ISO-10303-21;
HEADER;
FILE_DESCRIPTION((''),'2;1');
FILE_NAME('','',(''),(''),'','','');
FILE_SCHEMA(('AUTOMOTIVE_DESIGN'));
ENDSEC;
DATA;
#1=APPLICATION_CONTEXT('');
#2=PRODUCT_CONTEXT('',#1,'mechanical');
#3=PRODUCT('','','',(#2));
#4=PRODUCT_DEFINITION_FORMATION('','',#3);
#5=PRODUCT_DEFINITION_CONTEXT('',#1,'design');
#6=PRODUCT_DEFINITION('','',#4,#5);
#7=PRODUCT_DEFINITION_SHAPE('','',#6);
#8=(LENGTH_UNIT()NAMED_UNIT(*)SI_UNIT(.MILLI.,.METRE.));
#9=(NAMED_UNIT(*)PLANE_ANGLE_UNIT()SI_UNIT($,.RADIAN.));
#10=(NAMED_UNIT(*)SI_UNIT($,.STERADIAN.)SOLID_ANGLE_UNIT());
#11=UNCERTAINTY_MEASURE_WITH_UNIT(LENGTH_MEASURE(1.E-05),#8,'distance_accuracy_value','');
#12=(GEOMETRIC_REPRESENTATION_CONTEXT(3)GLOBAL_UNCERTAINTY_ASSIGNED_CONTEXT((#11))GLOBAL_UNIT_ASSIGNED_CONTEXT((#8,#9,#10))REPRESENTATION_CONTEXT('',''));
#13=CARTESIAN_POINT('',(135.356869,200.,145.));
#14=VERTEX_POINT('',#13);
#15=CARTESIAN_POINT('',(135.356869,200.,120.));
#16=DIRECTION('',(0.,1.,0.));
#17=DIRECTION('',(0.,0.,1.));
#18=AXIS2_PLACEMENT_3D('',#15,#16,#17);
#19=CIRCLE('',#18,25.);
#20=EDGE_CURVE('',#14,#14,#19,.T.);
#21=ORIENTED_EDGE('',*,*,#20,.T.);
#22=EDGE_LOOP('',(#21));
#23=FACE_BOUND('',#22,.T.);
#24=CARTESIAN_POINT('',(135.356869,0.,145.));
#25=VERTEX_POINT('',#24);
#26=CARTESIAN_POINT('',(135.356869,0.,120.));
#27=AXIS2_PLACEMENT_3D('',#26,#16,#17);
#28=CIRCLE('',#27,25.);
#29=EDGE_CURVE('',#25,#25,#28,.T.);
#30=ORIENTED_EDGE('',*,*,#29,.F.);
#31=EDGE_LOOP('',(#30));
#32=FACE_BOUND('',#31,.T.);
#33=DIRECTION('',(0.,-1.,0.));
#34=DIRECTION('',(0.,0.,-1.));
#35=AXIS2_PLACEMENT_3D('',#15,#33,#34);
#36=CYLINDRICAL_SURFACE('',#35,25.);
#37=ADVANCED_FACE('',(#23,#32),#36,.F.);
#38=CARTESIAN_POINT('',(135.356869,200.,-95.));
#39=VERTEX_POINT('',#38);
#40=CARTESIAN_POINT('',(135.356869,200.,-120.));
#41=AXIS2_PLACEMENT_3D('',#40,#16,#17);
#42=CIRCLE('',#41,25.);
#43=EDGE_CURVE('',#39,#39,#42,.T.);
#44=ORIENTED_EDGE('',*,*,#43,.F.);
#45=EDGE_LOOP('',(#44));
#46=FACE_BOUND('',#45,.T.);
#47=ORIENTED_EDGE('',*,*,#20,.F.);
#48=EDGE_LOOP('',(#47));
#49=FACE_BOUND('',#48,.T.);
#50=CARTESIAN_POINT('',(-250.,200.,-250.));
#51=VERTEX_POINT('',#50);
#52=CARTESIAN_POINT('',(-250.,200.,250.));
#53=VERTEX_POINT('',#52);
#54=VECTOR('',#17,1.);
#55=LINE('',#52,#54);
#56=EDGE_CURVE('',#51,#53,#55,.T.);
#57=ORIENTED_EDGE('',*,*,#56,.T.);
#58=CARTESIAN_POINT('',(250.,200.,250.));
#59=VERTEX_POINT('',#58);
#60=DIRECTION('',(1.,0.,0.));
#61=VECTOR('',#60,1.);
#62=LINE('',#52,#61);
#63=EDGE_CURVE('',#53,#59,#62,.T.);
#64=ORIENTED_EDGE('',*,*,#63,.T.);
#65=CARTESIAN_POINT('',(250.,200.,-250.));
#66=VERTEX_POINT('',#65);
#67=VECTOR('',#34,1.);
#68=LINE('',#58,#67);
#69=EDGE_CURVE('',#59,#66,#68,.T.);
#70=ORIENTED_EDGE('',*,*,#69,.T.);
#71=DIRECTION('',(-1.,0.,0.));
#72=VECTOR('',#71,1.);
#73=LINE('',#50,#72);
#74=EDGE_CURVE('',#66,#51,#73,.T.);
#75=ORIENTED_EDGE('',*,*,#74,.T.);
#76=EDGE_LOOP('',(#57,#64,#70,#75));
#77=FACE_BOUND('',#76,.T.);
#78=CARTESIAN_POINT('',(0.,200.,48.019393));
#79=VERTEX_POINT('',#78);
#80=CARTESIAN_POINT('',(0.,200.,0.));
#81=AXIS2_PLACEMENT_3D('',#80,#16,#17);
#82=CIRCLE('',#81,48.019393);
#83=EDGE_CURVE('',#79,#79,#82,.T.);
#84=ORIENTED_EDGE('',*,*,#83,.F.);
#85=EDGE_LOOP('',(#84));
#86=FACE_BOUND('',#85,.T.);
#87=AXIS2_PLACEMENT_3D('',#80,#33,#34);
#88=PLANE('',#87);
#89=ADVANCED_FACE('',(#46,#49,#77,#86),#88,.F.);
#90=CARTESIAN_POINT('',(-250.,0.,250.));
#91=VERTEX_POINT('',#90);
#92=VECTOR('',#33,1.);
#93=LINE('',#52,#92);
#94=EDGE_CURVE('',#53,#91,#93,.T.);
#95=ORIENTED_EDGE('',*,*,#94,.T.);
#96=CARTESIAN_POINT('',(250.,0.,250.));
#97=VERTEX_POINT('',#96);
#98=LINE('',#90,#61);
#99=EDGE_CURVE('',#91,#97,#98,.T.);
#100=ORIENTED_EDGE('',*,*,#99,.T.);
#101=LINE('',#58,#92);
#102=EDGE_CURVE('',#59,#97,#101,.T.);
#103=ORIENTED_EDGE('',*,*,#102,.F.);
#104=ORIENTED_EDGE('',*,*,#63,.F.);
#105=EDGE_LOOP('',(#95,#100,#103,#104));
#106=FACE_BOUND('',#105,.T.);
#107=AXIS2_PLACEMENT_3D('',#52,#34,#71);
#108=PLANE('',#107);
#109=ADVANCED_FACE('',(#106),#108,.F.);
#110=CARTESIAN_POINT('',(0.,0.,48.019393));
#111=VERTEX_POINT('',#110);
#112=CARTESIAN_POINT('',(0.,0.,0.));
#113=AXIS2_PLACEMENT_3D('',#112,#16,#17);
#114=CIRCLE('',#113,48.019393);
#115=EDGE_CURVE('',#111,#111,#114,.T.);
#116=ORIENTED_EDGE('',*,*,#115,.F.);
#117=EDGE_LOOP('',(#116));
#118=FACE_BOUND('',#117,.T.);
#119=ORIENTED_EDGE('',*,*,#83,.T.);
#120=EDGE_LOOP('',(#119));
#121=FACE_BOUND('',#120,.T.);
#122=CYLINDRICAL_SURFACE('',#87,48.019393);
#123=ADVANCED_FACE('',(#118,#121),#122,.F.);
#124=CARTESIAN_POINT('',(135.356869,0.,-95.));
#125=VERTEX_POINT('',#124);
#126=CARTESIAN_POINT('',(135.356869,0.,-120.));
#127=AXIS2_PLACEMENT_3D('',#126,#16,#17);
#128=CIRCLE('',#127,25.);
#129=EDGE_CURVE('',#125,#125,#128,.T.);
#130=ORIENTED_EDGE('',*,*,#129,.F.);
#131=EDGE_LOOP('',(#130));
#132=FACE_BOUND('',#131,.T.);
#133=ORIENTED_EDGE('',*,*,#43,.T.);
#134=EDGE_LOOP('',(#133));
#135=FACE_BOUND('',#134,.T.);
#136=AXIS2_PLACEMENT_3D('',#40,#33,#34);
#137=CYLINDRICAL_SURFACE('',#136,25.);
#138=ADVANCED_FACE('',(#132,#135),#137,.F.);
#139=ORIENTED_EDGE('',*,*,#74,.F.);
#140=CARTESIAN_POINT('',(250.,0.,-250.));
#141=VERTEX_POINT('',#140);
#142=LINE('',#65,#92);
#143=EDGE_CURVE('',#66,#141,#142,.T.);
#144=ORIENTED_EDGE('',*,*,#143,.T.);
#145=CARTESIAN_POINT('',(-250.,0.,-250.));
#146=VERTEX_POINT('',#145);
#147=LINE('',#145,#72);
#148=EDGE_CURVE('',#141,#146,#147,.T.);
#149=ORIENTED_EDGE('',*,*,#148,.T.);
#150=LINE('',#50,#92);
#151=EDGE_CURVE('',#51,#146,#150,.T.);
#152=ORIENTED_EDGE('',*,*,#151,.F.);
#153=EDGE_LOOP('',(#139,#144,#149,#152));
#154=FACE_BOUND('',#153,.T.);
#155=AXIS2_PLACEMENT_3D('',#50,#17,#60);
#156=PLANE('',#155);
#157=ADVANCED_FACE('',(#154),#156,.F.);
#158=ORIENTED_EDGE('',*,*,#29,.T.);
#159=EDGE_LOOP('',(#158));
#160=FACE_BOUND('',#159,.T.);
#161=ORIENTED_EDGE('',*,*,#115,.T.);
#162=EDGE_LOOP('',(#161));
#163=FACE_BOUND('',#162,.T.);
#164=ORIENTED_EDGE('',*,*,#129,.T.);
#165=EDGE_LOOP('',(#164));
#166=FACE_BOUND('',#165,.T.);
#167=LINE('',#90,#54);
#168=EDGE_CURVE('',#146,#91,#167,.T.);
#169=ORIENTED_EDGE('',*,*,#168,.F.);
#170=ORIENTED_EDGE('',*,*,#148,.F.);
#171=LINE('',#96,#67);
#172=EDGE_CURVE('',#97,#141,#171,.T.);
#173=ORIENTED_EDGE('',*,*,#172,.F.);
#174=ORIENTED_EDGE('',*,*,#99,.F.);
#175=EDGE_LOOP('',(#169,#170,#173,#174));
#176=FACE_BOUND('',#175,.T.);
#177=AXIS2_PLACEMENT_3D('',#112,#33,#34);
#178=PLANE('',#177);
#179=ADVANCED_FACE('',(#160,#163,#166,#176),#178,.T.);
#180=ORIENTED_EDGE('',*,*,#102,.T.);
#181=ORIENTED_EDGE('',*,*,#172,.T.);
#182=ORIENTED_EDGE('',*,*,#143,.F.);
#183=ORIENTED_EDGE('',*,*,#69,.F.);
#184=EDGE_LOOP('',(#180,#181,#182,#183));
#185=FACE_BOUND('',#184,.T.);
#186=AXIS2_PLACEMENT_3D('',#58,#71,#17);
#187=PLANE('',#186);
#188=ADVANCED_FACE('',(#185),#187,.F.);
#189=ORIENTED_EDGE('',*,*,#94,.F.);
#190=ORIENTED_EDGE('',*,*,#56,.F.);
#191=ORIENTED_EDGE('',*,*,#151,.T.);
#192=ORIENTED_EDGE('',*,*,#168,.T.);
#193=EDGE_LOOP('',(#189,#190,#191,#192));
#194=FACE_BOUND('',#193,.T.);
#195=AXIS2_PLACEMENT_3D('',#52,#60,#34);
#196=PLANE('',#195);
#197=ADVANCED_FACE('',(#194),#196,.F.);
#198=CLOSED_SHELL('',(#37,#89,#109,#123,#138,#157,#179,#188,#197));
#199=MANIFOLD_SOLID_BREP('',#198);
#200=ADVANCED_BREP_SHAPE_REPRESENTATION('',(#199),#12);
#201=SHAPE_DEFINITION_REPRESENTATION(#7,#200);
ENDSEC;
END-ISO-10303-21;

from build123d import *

# Parameters (mm, degrees)
SKETCH1_W           = 500
SKETCH1_H           = 500
SKETCH1_R           = 48.019392693
SKETCH1_R_2         = 25
BOSS_EXTRUDE1_DEPTH = 200


with BuildPart() as part:
    # Sketch1 → Boss-Extrude1 (new body)
    with BuildSketch(Plane(origin=(0, 0, 0), x_dir=(1, 0, 0), z_dir=(0, 1, 0))):
        Rectangle(SKETCH1_W, SKETCH1_H)
        Circle(SKETCH1_R, mode=Mode.SUBTRACT)
        with Locations((135.356868742, 120)):
            Circle(SKETCH1_R_2, mode=Mode.SUBTRACT)
        with Locations((135.356868742, -120)):
            Circle(SKETCH1_R_2, mode=Mode.SUBTRACT)
    extrude(amount=BOSS_EXTRUDE1_DEPTH)


solid = part.part
